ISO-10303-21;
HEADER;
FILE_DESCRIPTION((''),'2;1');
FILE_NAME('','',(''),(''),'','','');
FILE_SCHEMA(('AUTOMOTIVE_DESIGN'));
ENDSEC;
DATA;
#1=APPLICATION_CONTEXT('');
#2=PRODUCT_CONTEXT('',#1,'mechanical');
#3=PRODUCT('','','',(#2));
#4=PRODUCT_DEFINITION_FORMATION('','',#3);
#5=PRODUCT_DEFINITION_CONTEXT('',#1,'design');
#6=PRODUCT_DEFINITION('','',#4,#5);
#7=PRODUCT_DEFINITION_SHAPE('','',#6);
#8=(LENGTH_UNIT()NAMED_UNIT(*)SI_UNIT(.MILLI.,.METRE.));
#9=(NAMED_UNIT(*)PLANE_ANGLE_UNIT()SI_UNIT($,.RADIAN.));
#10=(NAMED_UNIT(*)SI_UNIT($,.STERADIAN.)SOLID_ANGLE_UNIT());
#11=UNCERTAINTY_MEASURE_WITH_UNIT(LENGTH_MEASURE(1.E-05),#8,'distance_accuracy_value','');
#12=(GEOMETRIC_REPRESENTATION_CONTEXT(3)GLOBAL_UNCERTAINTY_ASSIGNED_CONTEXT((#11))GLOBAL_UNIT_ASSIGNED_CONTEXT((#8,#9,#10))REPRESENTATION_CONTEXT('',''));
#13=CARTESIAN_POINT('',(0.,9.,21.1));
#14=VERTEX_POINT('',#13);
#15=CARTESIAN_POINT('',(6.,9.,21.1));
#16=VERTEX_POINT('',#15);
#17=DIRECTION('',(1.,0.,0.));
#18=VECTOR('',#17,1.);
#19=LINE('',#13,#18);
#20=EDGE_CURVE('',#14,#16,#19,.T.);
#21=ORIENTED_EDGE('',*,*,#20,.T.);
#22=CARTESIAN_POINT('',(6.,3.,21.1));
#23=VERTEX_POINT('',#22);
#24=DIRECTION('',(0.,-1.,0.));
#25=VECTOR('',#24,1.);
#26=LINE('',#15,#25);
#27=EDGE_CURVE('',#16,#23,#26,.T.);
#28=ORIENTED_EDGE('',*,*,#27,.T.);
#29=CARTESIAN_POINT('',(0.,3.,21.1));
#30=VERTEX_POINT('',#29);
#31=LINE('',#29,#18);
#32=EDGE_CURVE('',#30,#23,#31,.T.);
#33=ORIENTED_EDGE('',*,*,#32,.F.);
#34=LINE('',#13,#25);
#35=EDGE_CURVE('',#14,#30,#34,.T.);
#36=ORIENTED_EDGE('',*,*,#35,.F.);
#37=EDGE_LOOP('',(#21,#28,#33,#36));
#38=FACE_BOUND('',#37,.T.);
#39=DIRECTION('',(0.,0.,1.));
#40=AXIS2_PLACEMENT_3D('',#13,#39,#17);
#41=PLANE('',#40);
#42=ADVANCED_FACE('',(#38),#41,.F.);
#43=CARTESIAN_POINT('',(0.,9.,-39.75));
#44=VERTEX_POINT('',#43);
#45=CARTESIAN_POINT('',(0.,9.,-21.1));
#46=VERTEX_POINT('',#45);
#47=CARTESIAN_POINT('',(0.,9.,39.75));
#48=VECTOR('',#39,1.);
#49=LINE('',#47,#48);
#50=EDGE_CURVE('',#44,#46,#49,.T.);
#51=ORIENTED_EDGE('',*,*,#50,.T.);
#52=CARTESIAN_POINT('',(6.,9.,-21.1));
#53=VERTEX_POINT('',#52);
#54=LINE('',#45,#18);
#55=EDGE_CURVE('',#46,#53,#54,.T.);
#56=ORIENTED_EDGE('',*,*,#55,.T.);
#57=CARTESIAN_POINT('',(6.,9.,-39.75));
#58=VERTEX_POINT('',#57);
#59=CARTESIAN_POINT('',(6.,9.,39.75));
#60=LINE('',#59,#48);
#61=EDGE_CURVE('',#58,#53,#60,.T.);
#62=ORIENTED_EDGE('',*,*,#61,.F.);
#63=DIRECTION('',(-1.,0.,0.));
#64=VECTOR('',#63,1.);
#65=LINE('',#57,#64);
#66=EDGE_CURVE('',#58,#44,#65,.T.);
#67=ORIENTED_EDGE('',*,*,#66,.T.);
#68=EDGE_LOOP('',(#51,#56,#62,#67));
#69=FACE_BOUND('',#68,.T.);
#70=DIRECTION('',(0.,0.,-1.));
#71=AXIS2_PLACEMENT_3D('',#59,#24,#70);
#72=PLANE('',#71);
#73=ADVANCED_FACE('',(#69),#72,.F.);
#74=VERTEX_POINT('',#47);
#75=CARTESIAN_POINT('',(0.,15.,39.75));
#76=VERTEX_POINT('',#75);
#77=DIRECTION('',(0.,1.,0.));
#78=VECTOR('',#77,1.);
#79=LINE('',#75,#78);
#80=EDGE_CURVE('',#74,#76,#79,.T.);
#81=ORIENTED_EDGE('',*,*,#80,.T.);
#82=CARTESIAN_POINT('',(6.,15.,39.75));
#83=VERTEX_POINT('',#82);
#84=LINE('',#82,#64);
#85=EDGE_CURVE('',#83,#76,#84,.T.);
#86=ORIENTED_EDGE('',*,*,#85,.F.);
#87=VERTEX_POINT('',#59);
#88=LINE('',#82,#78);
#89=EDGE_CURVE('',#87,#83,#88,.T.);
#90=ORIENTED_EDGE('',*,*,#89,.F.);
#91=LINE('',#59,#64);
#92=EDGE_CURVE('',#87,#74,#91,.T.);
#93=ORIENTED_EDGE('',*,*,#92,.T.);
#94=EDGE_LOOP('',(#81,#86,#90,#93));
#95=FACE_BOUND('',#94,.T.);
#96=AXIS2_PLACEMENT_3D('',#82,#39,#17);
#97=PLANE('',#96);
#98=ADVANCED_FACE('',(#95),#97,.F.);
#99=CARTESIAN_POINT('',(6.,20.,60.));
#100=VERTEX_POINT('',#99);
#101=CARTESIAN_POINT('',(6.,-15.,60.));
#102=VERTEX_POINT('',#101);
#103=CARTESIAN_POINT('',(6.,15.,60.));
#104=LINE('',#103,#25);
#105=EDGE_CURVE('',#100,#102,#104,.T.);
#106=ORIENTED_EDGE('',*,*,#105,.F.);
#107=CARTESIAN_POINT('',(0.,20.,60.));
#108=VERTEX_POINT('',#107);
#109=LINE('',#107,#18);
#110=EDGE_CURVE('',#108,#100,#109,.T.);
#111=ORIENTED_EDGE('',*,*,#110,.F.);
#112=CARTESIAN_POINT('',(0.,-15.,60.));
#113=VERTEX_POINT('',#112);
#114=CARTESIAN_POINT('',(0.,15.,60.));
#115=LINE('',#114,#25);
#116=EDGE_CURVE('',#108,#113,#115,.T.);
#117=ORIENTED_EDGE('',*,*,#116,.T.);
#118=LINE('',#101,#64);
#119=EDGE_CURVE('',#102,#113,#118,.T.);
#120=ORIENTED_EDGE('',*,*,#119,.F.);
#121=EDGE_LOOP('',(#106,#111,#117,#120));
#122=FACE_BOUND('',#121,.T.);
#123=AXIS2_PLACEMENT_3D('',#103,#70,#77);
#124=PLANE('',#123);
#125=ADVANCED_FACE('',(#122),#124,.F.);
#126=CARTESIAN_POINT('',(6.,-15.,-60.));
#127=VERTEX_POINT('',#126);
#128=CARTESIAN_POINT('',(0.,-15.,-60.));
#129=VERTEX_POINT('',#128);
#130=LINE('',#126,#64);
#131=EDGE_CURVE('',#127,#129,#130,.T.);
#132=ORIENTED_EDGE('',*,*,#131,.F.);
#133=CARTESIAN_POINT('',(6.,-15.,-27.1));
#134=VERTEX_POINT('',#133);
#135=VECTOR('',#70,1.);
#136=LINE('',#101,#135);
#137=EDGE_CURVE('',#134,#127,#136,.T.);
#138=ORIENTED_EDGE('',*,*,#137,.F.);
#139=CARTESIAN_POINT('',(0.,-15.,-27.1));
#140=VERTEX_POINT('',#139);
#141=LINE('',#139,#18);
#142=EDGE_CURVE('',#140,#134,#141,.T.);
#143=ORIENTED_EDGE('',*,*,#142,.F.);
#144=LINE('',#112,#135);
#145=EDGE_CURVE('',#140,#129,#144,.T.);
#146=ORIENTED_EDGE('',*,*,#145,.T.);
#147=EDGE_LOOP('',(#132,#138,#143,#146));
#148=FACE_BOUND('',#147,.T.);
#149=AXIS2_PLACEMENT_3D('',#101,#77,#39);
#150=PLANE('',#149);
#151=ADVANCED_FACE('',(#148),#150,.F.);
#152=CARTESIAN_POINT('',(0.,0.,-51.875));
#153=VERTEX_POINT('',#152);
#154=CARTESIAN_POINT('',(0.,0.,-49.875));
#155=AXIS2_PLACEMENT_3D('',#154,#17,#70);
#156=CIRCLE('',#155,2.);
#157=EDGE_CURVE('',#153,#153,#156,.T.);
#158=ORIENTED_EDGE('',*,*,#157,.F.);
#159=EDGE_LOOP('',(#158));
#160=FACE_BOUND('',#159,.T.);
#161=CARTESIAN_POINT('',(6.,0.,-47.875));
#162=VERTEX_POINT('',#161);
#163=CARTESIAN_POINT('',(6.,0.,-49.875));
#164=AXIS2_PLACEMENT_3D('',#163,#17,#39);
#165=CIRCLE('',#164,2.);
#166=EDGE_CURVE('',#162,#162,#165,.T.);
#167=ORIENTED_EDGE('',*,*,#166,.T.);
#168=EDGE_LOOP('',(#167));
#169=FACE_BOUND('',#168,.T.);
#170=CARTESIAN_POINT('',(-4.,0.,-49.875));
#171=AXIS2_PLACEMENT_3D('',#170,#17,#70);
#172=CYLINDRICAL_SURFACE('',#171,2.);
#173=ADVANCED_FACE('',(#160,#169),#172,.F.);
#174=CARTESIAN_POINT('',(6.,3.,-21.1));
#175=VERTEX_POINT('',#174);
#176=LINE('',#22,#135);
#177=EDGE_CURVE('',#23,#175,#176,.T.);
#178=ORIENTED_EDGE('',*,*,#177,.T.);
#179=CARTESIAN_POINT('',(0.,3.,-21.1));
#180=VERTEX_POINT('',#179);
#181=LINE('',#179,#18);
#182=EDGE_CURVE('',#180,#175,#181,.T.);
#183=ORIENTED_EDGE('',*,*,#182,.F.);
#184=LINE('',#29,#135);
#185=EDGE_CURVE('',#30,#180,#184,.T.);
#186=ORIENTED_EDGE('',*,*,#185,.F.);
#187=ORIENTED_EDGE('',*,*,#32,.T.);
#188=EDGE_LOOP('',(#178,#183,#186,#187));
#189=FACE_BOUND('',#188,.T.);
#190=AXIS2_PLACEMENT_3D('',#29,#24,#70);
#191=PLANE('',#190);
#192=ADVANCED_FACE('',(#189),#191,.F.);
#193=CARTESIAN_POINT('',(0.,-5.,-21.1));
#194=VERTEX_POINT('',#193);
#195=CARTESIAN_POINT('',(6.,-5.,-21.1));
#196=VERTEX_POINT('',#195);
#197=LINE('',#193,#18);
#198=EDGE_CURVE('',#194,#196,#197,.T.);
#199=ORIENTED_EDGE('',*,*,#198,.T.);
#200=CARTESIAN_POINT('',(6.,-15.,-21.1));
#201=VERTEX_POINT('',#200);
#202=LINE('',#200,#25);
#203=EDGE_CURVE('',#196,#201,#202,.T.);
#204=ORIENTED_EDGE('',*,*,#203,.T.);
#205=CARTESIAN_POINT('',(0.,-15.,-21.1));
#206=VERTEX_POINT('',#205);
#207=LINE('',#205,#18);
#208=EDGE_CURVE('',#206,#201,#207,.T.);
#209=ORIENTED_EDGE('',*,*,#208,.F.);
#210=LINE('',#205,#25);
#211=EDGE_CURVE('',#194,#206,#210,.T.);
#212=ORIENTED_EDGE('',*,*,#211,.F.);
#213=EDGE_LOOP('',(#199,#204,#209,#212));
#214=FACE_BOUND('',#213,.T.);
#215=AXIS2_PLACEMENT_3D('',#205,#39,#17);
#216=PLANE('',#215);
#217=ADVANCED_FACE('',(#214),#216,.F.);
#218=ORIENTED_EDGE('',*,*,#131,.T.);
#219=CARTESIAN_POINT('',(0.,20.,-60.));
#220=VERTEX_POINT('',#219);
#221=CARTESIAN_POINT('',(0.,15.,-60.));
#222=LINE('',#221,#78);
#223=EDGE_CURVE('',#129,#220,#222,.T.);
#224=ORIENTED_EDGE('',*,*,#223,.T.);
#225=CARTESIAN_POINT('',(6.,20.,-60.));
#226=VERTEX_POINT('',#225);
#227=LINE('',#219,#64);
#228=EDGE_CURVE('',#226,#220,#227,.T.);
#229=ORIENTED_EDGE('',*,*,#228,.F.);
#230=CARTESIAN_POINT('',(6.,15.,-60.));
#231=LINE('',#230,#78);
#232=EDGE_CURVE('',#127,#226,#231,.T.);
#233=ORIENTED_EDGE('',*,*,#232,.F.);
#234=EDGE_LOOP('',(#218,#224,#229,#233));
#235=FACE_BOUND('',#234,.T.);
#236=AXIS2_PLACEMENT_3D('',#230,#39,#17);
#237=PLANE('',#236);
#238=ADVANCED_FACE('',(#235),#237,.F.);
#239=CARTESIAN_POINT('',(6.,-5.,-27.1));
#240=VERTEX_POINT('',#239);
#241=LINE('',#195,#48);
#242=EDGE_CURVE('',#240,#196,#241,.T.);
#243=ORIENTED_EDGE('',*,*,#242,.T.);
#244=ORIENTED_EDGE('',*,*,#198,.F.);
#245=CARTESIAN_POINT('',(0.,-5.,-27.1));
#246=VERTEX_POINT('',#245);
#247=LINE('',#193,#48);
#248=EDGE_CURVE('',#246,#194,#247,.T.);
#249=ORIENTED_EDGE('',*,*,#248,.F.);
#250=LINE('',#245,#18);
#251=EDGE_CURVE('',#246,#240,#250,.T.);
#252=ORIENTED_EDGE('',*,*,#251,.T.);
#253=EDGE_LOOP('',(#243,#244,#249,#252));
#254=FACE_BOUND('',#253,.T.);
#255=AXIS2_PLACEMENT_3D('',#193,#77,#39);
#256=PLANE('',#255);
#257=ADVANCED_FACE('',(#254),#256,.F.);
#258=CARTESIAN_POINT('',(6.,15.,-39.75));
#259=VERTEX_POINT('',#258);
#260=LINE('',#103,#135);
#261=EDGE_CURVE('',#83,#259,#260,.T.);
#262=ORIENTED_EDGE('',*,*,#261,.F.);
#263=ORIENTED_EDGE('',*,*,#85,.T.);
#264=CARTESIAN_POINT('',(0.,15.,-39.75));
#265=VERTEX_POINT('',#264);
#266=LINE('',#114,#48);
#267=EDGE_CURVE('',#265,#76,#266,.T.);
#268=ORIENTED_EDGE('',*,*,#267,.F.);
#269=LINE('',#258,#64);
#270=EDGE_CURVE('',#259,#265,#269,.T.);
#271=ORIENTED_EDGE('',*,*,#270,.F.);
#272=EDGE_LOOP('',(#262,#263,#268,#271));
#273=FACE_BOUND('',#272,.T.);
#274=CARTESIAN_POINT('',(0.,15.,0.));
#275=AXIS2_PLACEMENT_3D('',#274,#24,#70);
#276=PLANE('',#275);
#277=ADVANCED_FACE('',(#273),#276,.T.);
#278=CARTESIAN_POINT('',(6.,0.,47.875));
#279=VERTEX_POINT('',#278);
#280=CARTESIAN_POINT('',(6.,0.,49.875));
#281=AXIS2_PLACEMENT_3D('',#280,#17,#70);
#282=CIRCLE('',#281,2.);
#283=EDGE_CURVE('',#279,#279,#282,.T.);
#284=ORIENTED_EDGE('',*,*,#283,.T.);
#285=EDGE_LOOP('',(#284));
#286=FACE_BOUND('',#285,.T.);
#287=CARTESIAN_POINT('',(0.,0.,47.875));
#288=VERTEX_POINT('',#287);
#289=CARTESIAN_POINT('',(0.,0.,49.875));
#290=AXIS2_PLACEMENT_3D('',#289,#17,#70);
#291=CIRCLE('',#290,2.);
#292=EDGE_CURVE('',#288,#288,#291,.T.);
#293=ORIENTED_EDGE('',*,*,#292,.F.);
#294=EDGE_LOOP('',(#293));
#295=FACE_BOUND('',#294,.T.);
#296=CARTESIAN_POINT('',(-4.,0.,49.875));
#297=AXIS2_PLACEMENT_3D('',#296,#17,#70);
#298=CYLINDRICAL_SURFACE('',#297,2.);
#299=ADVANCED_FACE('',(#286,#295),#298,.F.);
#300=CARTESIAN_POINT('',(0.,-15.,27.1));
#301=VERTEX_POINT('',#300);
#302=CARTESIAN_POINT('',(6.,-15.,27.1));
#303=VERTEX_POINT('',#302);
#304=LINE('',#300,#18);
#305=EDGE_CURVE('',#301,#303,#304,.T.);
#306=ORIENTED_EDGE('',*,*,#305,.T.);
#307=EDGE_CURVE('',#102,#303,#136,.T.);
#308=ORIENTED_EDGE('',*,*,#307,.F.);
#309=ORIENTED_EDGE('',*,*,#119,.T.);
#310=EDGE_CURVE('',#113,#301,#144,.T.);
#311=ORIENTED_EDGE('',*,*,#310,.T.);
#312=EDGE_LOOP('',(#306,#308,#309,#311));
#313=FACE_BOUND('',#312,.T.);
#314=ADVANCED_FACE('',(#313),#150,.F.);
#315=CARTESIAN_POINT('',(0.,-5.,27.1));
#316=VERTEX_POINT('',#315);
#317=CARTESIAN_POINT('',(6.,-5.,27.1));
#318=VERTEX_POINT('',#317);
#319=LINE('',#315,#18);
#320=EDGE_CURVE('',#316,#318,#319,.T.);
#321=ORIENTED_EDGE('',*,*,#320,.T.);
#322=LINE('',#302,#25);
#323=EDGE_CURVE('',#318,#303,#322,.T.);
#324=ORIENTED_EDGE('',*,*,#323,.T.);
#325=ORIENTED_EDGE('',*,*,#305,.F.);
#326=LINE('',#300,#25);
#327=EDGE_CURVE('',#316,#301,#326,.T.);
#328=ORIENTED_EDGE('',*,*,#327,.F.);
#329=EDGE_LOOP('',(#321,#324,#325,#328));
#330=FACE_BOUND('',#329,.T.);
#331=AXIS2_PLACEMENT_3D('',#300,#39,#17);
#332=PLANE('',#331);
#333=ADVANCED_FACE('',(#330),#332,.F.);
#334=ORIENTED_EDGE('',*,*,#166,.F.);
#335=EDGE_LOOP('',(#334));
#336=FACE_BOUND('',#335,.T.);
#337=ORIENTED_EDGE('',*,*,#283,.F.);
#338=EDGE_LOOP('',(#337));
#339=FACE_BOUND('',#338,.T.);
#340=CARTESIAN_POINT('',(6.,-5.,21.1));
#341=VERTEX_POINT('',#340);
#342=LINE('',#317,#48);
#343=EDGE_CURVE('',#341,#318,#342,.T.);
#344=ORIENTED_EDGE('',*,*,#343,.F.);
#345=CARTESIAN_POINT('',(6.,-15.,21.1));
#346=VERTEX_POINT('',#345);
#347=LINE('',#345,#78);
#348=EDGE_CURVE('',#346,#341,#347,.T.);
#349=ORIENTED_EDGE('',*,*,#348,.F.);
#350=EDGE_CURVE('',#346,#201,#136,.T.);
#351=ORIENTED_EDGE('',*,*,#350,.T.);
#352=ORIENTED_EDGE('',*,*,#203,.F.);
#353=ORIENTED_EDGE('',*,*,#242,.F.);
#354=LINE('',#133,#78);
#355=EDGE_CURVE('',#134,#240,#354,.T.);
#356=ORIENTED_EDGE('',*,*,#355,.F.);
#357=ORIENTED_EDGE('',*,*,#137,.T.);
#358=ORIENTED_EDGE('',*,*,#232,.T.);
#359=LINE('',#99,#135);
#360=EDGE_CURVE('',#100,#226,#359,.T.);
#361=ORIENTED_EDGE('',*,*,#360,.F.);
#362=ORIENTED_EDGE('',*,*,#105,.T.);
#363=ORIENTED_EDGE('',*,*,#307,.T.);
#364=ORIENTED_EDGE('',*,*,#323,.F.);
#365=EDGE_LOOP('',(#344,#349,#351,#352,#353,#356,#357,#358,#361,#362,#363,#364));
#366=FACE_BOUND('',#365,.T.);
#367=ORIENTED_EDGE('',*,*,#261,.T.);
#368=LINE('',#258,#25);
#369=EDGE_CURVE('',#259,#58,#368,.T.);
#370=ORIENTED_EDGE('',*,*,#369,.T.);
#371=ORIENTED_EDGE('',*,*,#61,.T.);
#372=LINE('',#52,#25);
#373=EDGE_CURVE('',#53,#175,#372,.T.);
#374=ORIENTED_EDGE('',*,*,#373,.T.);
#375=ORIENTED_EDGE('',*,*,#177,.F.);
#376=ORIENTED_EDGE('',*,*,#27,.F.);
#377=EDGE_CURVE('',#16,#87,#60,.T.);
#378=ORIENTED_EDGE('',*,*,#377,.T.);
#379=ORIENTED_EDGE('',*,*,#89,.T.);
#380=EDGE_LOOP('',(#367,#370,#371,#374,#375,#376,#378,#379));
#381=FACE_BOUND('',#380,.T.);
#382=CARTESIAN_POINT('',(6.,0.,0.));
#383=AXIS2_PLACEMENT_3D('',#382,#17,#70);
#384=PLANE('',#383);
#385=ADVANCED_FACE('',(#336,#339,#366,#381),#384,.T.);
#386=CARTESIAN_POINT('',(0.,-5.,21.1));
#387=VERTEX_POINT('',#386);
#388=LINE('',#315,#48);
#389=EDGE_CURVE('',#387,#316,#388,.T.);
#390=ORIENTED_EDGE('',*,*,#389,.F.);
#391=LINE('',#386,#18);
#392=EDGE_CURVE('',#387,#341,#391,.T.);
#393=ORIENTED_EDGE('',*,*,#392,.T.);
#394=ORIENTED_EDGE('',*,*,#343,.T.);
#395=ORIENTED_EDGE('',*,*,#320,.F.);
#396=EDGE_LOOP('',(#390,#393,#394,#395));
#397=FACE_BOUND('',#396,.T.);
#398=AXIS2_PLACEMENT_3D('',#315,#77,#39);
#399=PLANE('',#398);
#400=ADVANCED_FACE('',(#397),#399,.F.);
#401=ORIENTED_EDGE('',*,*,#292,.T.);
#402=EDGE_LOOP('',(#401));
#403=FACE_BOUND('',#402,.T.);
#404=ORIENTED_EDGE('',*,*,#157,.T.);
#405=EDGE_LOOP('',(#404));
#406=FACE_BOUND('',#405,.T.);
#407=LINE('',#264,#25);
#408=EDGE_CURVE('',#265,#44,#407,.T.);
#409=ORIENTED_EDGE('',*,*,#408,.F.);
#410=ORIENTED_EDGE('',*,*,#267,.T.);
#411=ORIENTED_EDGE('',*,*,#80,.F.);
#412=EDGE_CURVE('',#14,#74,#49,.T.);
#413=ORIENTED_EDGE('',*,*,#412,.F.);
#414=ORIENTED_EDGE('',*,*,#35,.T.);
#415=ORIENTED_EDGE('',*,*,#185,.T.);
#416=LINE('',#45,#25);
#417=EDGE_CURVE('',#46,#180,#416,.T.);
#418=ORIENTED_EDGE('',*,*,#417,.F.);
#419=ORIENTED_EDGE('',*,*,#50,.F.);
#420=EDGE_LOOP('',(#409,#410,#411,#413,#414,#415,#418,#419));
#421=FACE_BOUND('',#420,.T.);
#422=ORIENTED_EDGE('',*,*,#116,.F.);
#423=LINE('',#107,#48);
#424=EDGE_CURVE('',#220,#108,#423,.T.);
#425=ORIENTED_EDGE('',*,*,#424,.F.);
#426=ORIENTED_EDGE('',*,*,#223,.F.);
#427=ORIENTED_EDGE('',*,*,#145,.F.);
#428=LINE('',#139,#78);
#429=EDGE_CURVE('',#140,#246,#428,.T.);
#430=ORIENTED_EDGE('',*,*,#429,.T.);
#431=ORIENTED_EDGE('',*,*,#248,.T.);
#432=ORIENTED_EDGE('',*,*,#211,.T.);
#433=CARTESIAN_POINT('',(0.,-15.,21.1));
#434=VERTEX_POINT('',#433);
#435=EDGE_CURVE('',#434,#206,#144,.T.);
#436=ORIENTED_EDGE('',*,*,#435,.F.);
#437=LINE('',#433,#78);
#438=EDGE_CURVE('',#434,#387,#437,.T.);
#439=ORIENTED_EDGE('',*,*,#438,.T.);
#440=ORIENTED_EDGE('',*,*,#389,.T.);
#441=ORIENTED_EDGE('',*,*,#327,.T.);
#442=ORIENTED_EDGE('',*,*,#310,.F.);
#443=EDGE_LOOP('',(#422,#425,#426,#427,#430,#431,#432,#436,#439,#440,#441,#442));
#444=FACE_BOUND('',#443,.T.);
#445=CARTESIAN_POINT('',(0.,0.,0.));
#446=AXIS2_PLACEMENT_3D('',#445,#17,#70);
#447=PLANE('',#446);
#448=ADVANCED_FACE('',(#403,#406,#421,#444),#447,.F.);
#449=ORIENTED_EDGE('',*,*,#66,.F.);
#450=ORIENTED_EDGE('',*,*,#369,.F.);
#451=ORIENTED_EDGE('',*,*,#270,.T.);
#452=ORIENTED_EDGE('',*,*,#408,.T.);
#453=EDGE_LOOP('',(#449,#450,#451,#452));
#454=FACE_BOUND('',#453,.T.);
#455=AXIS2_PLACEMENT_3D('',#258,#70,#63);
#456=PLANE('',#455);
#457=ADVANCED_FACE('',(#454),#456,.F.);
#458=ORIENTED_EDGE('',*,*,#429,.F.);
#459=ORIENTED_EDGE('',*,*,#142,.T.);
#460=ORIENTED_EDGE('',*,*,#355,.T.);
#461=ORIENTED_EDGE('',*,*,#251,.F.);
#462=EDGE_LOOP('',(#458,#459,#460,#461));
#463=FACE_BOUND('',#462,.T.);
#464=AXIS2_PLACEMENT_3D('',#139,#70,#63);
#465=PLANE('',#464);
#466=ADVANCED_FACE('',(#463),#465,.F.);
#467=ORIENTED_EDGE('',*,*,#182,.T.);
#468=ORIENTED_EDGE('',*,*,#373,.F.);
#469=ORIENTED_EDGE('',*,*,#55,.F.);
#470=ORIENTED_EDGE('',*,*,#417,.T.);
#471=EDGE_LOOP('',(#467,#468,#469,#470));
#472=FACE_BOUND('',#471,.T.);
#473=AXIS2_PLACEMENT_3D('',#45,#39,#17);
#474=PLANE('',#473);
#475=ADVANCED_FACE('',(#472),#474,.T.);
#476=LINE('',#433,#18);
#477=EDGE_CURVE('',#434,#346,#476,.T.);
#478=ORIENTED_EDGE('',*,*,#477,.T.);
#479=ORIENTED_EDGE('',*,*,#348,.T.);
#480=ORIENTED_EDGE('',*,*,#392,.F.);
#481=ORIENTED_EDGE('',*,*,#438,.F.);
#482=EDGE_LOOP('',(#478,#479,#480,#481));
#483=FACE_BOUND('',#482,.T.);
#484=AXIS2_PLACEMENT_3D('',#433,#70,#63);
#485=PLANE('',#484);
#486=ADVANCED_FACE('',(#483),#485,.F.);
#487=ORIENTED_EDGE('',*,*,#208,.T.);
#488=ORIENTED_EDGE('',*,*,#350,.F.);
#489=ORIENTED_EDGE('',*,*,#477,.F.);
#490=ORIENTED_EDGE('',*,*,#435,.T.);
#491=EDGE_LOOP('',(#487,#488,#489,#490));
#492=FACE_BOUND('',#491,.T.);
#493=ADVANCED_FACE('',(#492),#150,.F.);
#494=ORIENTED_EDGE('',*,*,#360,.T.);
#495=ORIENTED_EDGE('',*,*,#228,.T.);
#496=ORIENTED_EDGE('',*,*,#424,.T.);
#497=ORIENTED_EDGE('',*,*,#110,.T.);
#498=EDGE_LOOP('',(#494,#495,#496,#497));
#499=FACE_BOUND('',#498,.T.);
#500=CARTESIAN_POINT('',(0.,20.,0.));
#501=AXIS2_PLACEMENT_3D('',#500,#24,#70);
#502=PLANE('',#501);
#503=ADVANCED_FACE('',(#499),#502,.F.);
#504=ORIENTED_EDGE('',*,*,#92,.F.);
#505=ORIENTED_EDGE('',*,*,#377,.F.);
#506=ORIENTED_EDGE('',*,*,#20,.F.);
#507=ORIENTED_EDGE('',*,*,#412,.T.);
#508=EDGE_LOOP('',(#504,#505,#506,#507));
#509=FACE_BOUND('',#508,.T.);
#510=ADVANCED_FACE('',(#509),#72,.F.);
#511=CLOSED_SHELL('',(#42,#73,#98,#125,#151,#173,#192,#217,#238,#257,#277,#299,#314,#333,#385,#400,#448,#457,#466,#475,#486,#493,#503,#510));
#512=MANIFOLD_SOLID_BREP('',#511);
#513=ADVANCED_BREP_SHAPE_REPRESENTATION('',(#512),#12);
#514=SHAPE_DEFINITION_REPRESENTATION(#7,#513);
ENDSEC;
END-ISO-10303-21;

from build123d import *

# Parameters (mm, degrees)
BOSS_EXTRUDE1_DEPTH = 6
SKETCH2_R           = 2
CUT_EXTRUDE1_DEPTH  = 10
SKETCH3_W           = 6
SKETCH3_H           = 120
BOSS_EXTRUDE2_DEPTH = 5
SKETCH4_W           = 6
SKETCH4_H           = 10
CUT_EXTRUDE2_DEPTH  = 6
SKETCH5_W           = 42.2
SKETCH5_H           = 6
CUT_EXTRUDE3_DEPTH  = 7


with BuildPart() as part:
    # Sketch1 → Boss-Extrude1 (new body)
    with BuildSketch(Plane(origin=(0, 0, 0), x_dir=(0, 0, -1), z_dir=(1, 0, 0))):
        Polygon((39.75, 15), (39.75, 9), (-39.75, 9), (-39.75, 15), (-60, 15), (-60, -15), (60, -15), (60, 15), align=None)
    extrude(amount=BOSS_EXTRUDE1_DEPTH)

    # Sketch2 → Cut-Extrude1 (cut)
    with BuildSketch(Plane(origin=(6, 0, 0), x_dir=(0, 0, -1), z_dir=(1, 0, 0))):
        with Locations((-49.875, 0)):
            Circle(SKETCH2_R)
        with Locations((49.875, 0)):
            Circle(SKETCH2_R)
    extrude(amount=-CUT_EXTRUDE1_DEPTH, mode=Mode.SUBTRACT)

    # Sketch3 → Boss-Extrude2 (add)
    with BuildSketch(Plane(origin=(0, 15, 0), x_dir=(1, 0, 0), z_dir=(0, 1, 0))):
        with Locations((3, 0)):
            Rectangle(SKETCH3_W, SKETCH3_H)
    extrude(amount=BOSS_EXTRUDE2_DEPTH)

    # Sketch4 → Cut-Extrude2 (cut)
    with BuildSketch(Plane(origin=(6, 0, 0), x_dir=(0, 0, -1), z_dir=(1, 0, 0))):
        with Locations((-24.1, -10)):
            Rectangle(SKETCH4_W, SKETCH4_H)
        with Locations((24.1, -10)):
            Rectangle(SKETCH4_W, SKETCH4_H)
    extrude(amount=-CUT_EXTRUDE2_DEPTH, mode=Mode.SUBTRACT)

    # Sketch5 → Cut-Extrude3 (cut, through all)
    with BuildSketch(Plane(origin=(6, 0, 0), x_dir=(0, 0, -1), z_dir=(1, 0, 0))):
        with Locations((0, 6)):
            Rectangle(SKETCH5_W, SKETCH5_H)
    extrude(amount=-CUT_EXTRUDE3_DEPTH, mode=Mode.SUBTRACT)


solid = part.part
